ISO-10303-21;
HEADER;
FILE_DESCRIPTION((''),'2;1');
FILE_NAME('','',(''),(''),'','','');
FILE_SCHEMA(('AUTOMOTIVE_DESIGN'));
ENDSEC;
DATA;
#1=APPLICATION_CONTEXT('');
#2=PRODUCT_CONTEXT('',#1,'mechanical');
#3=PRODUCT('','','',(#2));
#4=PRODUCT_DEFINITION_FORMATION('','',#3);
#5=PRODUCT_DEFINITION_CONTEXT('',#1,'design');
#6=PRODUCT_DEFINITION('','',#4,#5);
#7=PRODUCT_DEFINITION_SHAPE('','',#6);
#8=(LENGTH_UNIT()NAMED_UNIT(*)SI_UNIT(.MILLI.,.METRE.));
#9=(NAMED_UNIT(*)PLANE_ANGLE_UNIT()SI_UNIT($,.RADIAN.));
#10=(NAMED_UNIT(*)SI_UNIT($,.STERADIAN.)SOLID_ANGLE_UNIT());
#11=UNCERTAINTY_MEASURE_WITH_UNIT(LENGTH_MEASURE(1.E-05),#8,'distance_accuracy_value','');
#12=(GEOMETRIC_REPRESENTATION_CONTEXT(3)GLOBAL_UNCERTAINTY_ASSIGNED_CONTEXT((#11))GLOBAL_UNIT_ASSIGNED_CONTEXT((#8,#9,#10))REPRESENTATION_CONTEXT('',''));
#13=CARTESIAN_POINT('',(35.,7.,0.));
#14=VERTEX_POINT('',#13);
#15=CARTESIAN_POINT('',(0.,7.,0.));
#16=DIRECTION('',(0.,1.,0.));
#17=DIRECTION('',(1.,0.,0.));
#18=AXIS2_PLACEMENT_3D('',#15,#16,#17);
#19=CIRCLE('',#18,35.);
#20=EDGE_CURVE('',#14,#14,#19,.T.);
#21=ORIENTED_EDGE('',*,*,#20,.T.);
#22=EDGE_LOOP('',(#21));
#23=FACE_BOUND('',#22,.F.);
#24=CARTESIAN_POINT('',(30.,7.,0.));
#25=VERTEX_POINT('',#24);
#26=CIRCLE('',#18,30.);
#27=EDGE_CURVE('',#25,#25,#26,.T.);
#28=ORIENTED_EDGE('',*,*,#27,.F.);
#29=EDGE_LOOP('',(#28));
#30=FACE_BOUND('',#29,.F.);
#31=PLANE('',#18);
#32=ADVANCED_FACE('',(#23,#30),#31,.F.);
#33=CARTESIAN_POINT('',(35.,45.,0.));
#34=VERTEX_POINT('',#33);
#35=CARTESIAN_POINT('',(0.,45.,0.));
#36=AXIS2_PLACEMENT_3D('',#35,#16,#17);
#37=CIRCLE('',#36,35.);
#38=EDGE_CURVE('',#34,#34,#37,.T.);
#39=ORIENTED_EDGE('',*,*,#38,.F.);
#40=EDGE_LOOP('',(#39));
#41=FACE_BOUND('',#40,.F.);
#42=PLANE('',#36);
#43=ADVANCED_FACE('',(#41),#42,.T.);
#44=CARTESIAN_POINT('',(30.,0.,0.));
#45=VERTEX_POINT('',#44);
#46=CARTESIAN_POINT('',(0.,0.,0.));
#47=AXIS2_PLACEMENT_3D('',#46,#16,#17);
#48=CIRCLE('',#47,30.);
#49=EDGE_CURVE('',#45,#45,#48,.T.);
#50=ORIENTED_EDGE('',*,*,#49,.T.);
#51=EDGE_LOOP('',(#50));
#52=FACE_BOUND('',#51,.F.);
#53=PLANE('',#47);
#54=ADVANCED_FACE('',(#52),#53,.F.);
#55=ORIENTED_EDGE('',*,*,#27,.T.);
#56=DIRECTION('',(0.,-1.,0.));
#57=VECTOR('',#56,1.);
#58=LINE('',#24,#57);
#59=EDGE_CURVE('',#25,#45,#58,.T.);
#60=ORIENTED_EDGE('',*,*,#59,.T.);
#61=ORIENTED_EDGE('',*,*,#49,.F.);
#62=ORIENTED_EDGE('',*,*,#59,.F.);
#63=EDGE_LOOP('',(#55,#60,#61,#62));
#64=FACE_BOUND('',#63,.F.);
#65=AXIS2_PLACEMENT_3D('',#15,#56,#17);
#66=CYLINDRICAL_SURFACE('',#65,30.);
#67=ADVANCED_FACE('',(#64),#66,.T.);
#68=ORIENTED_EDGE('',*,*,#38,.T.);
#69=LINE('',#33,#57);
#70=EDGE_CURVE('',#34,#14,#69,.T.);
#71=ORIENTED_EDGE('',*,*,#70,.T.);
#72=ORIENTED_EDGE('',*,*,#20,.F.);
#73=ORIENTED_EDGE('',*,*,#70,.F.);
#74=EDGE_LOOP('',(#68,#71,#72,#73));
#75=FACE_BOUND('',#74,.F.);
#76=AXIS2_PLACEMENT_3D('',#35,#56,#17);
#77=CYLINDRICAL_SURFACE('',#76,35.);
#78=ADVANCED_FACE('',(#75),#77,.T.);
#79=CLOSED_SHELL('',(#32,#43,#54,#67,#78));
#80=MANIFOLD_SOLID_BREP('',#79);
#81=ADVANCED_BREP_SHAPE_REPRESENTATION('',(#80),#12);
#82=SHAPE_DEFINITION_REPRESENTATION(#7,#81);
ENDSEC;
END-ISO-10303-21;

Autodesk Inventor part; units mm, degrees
ref_plane "YZ Plane" through (0, 0, 0) normal (1, 0, 0) x (0, 1, 0)
ref_plane "XZ Plane" through (0, 0, 0) normal (0, 1, 0) x (-1, 0, 0)
ref_plane "XY Plane" through (0, 0, 0) normal (0, 0, 1) x (1, 0, 0)
sketch "Sketch1" plane through (0, 0, 0) normal (0, 0, 1) x (1, 0, 0)
  line L0 (0, 0) -> (0, 45)
  line L1 (0, 45) -> (35, 45)
  line L2 (35, 45) -> (35, 7)
  line L3 (35, 7) -> (30, 7)
  line L4 (30, 7) -> (30, 0)
  line L5 (30, 0) -> (0, 0)
  dimension "d0" = 45
  dimension "d1" = 35
  dimension "d2" = 38
  dimension "d3" = 5
revolve "Revolution1" add sketch "Sketch1" angle 360 about axis through (0, 0, 0) along (0, 1, 0)
properties part number "Speakertje"
